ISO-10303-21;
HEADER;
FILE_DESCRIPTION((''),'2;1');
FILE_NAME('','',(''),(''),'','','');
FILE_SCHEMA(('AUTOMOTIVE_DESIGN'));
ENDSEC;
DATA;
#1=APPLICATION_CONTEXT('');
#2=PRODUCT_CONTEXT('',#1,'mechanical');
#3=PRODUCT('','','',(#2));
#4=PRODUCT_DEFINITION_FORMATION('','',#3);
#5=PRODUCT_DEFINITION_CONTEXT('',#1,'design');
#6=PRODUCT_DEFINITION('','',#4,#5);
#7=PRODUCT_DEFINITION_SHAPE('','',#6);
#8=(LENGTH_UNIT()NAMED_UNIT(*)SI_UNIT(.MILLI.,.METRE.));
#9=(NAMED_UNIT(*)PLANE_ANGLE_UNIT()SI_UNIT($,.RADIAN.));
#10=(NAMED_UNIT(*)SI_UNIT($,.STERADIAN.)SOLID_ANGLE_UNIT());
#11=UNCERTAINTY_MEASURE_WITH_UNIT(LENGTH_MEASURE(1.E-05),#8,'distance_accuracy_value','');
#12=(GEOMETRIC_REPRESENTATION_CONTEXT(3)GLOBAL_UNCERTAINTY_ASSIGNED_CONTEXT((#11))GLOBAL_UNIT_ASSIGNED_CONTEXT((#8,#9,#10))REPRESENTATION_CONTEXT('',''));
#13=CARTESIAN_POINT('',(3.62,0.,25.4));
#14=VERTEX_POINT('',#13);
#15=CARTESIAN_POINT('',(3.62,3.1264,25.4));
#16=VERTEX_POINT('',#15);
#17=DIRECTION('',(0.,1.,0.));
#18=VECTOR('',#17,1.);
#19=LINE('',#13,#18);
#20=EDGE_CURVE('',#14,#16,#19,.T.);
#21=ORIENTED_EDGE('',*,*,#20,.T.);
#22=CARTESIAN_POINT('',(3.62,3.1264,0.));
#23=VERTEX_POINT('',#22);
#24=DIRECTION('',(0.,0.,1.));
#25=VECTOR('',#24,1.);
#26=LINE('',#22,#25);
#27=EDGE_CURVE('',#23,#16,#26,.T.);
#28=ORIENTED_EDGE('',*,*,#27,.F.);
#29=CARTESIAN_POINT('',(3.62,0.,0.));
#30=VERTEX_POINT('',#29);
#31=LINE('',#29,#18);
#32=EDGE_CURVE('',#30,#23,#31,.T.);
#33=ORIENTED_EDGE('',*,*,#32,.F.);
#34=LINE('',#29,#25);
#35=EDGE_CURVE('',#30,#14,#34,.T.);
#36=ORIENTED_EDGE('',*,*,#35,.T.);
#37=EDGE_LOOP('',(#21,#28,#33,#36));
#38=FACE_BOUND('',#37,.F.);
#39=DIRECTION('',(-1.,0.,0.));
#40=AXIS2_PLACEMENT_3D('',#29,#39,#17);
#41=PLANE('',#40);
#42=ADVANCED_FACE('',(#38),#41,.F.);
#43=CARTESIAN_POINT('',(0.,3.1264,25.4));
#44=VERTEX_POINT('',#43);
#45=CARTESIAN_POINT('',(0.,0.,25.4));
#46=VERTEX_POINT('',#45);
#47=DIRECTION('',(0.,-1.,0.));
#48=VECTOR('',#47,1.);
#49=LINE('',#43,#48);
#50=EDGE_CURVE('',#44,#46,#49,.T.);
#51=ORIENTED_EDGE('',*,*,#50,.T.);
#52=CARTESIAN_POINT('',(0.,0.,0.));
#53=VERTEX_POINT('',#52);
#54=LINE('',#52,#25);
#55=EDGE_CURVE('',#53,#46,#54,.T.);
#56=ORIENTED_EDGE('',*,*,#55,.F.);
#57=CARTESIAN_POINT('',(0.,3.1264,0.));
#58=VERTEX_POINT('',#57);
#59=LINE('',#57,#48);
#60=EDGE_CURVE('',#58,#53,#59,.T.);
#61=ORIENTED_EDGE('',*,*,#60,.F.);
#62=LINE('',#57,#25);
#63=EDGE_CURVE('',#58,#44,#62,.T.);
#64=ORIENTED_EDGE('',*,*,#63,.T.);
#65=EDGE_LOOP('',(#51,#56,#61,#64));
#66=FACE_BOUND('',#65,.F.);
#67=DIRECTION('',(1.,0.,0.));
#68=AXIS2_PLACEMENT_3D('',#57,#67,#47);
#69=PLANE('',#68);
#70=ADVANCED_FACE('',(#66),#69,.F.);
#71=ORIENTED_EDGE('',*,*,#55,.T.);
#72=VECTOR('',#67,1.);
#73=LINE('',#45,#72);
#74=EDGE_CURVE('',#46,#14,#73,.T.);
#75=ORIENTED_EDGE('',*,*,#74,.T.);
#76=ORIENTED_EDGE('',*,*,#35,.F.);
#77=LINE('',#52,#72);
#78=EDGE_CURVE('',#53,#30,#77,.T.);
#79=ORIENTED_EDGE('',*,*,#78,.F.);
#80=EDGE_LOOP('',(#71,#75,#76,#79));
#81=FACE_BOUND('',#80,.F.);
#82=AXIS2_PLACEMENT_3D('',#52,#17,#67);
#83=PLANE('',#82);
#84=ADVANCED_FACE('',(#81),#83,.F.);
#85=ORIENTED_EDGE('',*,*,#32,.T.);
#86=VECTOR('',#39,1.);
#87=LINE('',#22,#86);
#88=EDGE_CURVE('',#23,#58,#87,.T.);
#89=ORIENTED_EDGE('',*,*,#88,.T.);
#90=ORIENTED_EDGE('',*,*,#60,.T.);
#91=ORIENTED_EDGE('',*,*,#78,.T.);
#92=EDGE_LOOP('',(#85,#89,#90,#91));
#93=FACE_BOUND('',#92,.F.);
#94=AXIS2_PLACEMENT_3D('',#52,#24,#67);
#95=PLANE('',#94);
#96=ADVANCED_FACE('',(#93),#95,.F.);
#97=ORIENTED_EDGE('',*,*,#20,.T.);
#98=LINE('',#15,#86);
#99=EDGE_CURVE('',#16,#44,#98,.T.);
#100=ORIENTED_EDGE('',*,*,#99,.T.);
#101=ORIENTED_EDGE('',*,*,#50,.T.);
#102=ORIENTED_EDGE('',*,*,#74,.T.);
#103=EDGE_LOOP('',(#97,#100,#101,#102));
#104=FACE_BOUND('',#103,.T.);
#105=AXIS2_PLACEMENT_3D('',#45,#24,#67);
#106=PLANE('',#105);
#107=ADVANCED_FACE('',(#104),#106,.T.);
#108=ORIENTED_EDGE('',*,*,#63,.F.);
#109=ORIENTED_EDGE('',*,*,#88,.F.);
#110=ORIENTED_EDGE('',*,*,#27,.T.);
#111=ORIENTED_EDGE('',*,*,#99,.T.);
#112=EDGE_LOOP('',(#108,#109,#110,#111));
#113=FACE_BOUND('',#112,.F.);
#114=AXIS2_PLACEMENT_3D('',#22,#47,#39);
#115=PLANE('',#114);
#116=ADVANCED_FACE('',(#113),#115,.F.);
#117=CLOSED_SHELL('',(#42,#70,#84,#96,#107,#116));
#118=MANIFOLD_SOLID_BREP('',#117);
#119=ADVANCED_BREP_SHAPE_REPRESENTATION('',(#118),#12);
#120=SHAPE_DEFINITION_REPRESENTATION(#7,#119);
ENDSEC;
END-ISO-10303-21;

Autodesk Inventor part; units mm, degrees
ref_plane "YZ Plane" through (0, 0, 0) normal (1, 0, 0) x (0, 1, 0)
ref_plane "XZ Plane" through (0, 0, 0) normal (0, 1, 0) x (-1, 0, 0)
ref_plane "XY Plane" through (0, 0, 0) normal (0, 0, 1) x (1, 0, 0)
sketch "Sketch1" plane through (0, 0, 0) normal (0, 0, 1) x (1, 0, 0)
  line L0 (0, 0) -> (3.62, 0)
  line L1 (3.62, 0) -> (3.62, 3.1264)
  line L2 (3.62, 3.1264) -> (0, 3.1264)
  line L3 (0, 3.1264) -> (0, 0)
extrude "Extrusion1" add sketch "Sketch1" along normal blind 25.4
properties part number "Thumb Base"
